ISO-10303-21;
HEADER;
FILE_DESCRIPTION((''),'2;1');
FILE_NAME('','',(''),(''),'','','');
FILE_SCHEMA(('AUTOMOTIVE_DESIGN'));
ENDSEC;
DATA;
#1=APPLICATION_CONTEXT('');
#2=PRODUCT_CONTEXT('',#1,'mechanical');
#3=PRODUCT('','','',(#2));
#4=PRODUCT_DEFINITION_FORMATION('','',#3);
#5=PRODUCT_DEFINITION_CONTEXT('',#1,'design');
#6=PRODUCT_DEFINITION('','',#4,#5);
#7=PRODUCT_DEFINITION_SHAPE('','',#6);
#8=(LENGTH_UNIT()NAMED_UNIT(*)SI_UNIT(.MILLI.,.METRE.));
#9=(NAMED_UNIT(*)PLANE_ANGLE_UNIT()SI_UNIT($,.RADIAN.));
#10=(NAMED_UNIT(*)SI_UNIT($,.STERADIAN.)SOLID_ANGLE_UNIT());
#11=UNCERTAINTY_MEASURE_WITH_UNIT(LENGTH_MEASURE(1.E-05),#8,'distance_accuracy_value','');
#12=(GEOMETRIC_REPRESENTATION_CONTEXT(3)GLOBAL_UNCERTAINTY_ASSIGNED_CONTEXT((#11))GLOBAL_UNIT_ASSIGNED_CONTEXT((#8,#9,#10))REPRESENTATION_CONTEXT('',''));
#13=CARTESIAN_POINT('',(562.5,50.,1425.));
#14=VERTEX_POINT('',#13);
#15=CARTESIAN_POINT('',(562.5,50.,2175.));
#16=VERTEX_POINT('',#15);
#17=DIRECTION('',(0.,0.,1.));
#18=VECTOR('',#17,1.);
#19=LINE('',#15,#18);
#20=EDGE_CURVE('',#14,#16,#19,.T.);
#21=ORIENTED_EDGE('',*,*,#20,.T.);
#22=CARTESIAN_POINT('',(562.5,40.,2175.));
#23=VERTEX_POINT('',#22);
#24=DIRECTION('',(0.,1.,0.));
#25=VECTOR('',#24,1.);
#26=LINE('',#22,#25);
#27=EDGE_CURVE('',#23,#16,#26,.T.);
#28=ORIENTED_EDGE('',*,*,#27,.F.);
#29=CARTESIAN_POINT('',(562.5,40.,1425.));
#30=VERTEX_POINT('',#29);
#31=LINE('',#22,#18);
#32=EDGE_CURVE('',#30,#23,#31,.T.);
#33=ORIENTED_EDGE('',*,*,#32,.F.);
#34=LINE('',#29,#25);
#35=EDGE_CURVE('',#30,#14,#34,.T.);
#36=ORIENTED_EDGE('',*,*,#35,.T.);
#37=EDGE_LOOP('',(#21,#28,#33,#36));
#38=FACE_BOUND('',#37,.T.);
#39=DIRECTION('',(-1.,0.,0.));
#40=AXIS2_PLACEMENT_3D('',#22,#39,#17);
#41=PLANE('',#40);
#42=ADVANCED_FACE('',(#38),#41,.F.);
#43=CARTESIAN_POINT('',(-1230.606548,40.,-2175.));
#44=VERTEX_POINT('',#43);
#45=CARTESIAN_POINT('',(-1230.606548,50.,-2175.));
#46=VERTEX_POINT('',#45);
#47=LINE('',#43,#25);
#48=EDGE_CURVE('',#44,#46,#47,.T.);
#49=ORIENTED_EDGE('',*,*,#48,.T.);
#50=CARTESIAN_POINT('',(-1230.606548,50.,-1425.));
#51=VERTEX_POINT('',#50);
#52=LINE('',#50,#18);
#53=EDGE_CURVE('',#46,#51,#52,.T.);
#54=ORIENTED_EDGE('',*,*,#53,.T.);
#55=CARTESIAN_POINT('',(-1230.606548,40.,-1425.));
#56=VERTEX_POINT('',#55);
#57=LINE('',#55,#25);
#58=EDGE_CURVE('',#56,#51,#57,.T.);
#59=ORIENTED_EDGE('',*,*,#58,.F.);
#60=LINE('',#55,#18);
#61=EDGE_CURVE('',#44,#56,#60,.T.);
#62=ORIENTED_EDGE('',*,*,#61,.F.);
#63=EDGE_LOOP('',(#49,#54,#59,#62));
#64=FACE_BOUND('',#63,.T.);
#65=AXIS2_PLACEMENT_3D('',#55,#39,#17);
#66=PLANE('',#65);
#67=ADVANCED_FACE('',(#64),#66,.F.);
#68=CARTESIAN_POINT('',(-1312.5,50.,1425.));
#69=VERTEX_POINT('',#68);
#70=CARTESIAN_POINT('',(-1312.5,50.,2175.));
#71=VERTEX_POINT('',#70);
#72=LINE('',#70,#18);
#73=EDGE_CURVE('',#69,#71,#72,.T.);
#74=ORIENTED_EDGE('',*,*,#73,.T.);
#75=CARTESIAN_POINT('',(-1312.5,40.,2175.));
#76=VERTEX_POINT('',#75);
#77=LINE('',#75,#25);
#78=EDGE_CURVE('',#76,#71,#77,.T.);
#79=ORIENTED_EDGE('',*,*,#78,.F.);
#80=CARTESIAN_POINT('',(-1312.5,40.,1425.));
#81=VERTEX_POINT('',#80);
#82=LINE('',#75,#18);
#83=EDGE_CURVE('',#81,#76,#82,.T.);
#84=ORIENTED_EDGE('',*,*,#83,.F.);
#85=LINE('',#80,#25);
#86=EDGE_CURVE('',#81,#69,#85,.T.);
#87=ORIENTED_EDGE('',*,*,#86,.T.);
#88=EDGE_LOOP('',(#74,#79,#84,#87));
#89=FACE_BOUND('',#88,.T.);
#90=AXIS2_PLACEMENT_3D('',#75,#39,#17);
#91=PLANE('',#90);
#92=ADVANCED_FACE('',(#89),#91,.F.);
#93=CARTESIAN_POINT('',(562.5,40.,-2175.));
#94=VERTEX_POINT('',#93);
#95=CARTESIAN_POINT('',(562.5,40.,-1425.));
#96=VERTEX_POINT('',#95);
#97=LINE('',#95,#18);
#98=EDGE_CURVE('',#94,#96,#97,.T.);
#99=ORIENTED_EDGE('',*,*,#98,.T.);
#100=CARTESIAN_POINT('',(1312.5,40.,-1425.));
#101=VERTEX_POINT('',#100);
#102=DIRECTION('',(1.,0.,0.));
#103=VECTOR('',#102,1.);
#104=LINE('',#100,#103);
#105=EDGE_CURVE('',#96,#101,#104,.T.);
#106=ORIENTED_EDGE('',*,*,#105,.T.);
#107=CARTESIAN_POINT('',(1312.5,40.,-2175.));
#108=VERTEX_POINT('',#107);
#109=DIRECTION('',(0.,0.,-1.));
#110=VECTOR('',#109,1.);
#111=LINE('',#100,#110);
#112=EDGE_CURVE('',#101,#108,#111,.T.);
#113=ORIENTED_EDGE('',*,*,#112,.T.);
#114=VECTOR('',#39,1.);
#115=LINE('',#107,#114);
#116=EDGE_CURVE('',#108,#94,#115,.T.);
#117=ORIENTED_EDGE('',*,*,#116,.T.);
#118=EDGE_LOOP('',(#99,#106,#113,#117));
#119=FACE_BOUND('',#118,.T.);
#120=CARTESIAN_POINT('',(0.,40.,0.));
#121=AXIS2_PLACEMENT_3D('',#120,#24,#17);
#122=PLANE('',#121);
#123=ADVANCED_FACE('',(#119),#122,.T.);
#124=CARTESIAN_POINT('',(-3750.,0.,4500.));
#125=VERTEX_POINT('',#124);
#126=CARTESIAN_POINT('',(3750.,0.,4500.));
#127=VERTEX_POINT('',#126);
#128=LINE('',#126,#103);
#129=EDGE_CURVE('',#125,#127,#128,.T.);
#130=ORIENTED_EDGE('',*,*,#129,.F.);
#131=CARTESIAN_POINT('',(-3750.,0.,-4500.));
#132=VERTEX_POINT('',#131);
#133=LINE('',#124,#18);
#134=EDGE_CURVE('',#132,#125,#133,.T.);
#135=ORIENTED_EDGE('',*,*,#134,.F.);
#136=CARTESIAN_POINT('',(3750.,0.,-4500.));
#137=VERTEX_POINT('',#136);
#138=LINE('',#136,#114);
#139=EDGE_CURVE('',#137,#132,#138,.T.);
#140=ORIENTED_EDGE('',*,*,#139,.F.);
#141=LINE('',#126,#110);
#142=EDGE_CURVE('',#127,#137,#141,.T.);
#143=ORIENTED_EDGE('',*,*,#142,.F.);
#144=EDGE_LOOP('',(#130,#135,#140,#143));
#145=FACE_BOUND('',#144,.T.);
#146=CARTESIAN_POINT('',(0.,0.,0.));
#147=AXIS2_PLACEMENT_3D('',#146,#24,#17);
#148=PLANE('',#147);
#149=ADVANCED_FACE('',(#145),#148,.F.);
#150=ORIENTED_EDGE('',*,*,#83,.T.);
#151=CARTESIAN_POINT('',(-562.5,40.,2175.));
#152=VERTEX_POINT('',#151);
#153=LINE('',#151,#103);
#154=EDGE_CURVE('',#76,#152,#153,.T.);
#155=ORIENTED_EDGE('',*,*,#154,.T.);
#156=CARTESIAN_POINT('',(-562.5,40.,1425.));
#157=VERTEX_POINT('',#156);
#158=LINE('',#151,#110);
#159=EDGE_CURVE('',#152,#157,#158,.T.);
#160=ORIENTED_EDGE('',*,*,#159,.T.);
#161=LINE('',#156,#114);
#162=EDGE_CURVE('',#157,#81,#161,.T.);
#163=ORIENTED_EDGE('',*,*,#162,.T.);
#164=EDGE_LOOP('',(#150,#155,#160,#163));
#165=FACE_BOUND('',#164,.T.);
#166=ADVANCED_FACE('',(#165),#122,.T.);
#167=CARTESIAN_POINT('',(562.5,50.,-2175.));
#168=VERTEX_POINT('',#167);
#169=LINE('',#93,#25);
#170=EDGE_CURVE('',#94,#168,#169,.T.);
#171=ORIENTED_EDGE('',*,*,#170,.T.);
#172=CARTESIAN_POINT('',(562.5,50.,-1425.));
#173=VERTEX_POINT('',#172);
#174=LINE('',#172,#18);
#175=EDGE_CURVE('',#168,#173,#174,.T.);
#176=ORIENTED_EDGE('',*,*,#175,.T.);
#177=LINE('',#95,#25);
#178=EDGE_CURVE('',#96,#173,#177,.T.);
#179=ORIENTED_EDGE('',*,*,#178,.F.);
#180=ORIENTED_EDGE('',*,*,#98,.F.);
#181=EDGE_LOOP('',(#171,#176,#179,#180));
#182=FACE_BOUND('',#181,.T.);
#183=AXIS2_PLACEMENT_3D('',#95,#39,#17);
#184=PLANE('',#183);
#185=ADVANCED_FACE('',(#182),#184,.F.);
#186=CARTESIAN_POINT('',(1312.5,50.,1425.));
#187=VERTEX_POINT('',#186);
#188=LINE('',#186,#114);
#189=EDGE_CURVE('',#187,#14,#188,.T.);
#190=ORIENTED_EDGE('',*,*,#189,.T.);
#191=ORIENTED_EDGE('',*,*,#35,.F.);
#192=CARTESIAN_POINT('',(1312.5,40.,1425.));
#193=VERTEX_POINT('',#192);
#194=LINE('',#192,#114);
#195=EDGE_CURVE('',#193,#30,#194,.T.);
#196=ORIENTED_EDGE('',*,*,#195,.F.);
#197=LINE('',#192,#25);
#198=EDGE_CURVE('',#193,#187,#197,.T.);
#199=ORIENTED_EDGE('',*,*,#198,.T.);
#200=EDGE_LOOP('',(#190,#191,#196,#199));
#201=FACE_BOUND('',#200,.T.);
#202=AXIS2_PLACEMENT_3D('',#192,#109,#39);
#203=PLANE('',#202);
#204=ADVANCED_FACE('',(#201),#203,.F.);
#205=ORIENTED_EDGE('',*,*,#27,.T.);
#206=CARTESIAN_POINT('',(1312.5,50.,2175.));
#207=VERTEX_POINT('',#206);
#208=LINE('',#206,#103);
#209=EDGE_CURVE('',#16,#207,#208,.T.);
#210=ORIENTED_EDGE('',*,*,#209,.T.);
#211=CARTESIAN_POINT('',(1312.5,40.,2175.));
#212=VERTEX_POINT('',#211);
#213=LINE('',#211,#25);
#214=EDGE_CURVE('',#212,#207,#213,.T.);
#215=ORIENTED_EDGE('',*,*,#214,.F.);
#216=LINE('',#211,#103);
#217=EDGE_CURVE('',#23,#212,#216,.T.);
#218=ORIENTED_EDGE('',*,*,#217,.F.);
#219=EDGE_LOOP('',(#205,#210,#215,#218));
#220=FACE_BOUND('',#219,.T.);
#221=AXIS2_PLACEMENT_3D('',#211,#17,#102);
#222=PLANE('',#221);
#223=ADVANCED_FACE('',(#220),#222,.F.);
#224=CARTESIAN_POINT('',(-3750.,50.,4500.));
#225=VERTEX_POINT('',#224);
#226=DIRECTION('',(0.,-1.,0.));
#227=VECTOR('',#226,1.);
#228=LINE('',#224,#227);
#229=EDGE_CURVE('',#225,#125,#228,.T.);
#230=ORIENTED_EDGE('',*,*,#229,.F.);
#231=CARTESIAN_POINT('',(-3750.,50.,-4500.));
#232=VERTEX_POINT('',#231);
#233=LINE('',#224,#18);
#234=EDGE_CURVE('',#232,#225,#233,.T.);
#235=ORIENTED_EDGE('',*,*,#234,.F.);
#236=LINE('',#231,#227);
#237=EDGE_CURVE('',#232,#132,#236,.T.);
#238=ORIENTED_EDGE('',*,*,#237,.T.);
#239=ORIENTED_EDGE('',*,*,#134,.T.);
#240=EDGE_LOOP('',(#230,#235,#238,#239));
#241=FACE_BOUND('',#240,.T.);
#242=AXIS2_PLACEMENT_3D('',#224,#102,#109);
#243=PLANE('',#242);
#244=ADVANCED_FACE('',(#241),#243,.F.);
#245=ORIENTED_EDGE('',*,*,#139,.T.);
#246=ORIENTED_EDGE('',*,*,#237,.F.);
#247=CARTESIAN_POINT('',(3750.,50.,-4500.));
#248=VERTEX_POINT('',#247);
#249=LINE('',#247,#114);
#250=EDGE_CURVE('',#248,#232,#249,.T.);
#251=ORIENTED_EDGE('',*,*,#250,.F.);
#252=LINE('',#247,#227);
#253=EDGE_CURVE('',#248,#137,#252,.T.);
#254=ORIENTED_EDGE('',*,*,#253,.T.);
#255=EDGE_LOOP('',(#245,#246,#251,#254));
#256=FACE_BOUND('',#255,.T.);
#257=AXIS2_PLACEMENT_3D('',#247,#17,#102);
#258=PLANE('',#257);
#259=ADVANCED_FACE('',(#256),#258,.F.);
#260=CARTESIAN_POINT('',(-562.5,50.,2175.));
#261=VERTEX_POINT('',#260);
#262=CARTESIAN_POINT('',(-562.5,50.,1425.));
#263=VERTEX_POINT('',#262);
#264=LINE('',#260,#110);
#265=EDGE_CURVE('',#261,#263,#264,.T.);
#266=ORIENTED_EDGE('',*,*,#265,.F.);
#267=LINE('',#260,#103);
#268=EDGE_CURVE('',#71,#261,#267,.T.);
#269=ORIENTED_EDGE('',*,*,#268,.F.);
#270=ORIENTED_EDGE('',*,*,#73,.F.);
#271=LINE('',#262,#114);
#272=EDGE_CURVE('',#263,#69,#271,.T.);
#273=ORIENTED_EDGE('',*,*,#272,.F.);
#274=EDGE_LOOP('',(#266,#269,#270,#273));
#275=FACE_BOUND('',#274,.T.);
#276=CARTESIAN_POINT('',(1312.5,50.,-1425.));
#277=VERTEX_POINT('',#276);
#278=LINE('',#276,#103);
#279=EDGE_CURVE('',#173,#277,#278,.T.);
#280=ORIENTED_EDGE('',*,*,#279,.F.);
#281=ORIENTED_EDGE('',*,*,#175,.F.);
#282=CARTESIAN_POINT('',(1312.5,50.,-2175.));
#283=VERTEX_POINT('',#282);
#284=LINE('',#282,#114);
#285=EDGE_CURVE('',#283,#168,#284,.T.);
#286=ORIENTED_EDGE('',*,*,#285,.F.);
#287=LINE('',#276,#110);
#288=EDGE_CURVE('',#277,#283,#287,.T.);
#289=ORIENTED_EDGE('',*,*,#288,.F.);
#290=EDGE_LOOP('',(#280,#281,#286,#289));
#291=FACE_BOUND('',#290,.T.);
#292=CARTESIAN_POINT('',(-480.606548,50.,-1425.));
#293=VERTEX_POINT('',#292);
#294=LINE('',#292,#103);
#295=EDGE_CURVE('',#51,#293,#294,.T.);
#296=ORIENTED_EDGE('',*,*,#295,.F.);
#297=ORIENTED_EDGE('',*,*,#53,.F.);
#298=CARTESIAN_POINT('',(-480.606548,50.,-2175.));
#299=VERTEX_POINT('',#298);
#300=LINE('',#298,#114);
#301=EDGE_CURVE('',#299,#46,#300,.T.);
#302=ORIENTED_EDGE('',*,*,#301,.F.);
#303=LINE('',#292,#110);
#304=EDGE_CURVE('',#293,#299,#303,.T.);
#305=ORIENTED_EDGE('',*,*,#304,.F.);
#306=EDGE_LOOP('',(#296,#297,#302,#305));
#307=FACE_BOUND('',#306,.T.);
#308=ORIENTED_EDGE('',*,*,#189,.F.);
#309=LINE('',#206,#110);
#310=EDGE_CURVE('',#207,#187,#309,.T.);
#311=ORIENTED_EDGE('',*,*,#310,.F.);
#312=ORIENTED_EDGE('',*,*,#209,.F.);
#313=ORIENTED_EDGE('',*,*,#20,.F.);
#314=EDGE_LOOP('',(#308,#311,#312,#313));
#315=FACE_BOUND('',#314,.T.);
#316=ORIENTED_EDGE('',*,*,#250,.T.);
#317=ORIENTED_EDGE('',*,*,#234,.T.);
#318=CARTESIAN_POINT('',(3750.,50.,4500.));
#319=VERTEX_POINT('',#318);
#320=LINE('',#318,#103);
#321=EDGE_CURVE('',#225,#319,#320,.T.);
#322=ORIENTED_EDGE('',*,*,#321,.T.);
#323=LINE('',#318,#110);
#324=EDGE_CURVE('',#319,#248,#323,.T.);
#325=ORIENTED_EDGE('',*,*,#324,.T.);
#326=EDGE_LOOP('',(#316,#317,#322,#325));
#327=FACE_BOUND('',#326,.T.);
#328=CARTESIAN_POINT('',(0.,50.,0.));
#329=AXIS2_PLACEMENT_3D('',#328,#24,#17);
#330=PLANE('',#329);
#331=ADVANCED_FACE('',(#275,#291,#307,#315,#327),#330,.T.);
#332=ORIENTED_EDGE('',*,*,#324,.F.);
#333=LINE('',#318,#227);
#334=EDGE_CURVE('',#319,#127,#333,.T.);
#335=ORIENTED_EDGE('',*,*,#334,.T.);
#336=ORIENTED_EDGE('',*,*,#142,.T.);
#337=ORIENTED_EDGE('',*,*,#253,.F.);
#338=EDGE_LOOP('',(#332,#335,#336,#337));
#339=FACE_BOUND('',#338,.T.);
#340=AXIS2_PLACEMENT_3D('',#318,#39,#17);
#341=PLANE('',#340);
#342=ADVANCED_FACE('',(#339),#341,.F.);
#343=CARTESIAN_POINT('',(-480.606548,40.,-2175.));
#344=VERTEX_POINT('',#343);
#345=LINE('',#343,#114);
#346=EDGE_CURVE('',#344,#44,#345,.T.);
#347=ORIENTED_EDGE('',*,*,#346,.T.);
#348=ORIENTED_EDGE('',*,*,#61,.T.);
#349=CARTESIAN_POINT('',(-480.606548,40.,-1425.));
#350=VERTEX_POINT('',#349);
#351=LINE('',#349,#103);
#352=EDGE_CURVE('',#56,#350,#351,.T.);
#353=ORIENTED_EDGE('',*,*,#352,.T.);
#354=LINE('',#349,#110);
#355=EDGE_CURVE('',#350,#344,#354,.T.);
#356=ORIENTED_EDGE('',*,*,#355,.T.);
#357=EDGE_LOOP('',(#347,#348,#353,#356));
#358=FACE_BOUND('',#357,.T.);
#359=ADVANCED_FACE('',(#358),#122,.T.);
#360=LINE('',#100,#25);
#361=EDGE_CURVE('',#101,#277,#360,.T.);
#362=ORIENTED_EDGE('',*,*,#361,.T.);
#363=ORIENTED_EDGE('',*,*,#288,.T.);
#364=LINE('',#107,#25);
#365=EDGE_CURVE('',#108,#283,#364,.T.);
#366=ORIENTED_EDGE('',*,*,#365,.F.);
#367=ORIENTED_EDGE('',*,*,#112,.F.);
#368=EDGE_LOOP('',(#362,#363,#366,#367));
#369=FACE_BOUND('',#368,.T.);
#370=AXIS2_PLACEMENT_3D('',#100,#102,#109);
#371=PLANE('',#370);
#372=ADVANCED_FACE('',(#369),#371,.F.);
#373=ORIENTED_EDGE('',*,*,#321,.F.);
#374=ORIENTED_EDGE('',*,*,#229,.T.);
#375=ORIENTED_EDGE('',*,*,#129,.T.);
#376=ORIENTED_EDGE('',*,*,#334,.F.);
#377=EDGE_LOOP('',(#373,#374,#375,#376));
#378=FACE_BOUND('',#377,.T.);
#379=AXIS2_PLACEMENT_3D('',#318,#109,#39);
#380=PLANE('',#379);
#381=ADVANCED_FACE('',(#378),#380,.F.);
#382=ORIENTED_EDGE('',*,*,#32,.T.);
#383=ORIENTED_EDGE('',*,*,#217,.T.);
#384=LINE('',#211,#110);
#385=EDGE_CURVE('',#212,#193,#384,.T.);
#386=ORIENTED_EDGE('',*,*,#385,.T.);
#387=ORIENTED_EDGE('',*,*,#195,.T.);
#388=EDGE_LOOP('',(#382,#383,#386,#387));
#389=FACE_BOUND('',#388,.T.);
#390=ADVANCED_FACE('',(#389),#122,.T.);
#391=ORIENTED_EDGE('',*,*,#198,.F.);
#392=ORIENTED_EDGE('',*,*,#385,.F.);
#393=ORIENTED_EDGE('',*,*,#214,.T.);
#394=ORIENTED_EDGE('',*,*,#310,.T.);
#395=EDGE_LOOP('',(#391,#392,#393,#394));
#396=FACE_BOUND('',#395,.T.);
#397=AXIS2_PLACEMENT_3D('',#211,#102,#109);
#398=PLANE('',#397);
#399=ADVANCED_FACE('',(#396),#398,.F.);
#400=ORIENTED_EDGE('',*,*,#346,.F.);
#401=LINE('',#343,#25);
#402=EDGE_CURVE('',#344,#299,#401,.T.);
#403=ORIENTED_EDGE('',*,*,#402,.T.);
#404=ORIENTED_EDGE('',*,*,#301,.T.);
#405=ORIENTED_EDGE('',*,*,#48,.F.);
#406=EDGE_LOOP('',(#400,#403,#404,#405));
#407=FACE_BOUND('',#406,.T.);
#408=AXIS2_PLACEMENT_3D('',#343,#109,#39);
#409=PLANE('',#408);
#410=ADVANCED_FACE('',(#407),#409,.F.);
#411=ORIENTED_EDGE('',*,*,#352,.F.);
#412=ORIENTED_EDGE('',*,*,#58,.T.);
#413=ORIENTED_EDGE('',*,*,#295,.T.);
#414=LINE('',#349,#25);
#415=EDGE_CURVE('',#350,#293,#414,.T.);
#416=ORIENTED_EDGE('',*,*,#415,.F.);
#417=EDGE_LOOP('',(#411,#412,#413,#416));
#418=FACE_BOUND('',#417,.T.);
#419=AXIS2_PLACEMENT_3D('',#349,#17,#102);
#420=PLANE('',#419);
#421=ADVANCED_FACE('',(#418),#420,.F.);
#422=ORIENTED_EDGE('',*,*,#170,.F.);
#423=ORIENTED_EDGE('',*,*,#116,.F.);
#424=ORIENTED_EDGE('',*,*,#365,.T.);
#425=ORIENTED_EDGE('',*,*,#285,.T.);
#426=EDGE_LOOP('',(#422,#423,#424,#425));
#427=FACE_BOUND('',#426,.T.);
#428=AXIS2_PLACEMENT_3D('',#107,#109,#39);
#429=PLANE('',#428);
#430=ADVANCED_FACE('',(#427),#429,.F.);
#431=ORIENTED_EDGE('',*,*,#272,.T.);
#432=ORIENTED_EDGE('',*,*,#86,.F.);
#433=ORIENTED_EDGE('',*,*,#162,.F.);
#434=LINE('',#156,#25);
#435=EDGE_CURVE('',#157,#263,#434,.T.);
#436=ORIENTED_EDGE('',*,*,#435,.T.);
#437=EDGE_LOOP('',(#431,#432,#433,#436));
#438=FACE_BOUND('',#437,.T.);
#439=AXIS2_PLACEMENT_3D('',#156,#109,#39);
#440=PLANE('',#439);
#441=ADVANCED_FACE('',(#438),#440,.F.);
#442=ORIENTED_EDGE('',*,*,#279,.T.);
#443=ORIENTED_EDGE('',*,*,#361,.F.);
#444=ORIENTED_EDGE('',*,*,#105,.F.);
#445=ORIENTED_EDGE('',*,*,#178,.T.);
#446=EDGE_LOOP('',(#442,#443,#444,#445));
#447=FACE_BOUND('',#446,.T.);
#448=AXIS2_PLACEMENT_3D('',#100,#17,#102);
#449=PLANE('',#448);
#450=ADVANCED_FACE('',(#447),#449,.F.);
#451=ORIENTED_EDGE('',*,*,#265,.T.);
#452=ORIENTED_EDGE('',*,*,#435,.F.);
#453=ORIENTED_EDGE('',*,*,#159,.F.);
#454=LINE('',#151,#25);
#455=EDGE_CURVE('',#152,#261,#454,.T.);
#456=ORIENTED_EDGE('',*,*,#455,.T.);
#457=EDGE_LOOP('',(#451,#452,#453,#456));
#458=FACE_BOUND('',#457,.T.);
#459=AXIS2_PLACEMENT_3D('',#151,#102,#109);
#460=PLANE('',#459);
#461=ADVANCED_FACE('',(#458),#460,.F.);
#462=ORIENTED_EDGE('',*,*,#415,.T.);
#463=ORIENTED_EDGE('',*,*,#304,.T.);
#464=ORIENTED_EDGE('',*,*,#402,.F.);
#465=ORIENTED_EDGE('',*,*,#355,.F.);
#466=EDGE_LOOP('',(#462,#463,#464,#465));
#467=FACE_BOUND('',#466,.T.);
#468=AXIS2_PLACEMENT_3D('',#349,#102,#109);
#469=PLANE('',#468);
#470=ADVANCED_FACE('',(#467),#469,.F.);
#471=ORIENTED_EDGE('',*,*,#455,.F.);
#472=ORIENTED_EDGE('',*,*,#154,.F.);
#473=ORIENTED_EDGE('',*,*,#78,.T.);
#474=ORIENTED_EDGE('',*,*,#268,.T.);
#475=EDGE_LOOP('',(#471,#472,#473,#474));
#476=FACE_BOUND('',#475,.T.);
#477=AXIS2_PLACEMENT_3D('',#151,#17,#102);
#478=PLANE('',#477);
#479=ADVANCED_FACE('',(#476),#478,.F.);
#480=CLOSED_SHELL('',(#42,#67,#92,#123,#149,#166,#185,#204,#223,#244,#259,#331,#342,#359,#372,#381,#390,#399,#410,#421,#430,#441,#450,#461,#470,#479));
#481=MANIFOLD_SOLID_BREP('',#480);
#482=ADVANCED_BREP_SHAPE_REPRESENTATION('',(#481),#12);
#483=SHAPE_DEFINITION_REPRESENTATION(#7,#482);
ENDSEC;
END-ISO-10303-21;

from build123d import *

# Parameters (mm, degrees)
SKETCH1_W           = 7500
SKETCH1_H           = 9000
BOSS_EXTRUDE1_DEPTH = 50
SKETCH2_W           = 750
SKETCH2_H           = 750
CUT_EXTRUDE1_DEPTH  = 10


with BuildPart() as part:
    # Sketch1 → Boss-Extrude1 (new body)
    with BuildSketch(Plane(origin=(0, 0, 0), x_dir=(1, 0, 0), z_dir=(0, 1, 0))):
        Rectangle(SKETCH1_W, SKETCH1_H)
    extrude(amount=BOSS_EXTRUDE1_DEPTH)

    # Sketch2 → Cut-Extrude1 (cut)
    with BuildSketch(Plane(origin=(0, 50, 0), x_dir=(1, 0, 0), z_dir=(0, 1, 0))):
        with Locations((-855.606548028, 1800)):
            Rectangle(SKETCH2_W, SKETCH2_H)
        with Locations((937.5, 1800)):
            Rectangle(SKETCH2_W, SKETCH2_H)
        with Locations((-937.5, -1800)):
            Rectangle(SKETCH2_W, SKETCH2_H)
        with Locations((937.5, -1800)):
            Rectangle(SKETCH2_W, SKETCH2_H)
    extrude(amount=-CUT_EXTRUDE1_DEPTH, mode=Mode.SUBTRACT)


solid = part.part
